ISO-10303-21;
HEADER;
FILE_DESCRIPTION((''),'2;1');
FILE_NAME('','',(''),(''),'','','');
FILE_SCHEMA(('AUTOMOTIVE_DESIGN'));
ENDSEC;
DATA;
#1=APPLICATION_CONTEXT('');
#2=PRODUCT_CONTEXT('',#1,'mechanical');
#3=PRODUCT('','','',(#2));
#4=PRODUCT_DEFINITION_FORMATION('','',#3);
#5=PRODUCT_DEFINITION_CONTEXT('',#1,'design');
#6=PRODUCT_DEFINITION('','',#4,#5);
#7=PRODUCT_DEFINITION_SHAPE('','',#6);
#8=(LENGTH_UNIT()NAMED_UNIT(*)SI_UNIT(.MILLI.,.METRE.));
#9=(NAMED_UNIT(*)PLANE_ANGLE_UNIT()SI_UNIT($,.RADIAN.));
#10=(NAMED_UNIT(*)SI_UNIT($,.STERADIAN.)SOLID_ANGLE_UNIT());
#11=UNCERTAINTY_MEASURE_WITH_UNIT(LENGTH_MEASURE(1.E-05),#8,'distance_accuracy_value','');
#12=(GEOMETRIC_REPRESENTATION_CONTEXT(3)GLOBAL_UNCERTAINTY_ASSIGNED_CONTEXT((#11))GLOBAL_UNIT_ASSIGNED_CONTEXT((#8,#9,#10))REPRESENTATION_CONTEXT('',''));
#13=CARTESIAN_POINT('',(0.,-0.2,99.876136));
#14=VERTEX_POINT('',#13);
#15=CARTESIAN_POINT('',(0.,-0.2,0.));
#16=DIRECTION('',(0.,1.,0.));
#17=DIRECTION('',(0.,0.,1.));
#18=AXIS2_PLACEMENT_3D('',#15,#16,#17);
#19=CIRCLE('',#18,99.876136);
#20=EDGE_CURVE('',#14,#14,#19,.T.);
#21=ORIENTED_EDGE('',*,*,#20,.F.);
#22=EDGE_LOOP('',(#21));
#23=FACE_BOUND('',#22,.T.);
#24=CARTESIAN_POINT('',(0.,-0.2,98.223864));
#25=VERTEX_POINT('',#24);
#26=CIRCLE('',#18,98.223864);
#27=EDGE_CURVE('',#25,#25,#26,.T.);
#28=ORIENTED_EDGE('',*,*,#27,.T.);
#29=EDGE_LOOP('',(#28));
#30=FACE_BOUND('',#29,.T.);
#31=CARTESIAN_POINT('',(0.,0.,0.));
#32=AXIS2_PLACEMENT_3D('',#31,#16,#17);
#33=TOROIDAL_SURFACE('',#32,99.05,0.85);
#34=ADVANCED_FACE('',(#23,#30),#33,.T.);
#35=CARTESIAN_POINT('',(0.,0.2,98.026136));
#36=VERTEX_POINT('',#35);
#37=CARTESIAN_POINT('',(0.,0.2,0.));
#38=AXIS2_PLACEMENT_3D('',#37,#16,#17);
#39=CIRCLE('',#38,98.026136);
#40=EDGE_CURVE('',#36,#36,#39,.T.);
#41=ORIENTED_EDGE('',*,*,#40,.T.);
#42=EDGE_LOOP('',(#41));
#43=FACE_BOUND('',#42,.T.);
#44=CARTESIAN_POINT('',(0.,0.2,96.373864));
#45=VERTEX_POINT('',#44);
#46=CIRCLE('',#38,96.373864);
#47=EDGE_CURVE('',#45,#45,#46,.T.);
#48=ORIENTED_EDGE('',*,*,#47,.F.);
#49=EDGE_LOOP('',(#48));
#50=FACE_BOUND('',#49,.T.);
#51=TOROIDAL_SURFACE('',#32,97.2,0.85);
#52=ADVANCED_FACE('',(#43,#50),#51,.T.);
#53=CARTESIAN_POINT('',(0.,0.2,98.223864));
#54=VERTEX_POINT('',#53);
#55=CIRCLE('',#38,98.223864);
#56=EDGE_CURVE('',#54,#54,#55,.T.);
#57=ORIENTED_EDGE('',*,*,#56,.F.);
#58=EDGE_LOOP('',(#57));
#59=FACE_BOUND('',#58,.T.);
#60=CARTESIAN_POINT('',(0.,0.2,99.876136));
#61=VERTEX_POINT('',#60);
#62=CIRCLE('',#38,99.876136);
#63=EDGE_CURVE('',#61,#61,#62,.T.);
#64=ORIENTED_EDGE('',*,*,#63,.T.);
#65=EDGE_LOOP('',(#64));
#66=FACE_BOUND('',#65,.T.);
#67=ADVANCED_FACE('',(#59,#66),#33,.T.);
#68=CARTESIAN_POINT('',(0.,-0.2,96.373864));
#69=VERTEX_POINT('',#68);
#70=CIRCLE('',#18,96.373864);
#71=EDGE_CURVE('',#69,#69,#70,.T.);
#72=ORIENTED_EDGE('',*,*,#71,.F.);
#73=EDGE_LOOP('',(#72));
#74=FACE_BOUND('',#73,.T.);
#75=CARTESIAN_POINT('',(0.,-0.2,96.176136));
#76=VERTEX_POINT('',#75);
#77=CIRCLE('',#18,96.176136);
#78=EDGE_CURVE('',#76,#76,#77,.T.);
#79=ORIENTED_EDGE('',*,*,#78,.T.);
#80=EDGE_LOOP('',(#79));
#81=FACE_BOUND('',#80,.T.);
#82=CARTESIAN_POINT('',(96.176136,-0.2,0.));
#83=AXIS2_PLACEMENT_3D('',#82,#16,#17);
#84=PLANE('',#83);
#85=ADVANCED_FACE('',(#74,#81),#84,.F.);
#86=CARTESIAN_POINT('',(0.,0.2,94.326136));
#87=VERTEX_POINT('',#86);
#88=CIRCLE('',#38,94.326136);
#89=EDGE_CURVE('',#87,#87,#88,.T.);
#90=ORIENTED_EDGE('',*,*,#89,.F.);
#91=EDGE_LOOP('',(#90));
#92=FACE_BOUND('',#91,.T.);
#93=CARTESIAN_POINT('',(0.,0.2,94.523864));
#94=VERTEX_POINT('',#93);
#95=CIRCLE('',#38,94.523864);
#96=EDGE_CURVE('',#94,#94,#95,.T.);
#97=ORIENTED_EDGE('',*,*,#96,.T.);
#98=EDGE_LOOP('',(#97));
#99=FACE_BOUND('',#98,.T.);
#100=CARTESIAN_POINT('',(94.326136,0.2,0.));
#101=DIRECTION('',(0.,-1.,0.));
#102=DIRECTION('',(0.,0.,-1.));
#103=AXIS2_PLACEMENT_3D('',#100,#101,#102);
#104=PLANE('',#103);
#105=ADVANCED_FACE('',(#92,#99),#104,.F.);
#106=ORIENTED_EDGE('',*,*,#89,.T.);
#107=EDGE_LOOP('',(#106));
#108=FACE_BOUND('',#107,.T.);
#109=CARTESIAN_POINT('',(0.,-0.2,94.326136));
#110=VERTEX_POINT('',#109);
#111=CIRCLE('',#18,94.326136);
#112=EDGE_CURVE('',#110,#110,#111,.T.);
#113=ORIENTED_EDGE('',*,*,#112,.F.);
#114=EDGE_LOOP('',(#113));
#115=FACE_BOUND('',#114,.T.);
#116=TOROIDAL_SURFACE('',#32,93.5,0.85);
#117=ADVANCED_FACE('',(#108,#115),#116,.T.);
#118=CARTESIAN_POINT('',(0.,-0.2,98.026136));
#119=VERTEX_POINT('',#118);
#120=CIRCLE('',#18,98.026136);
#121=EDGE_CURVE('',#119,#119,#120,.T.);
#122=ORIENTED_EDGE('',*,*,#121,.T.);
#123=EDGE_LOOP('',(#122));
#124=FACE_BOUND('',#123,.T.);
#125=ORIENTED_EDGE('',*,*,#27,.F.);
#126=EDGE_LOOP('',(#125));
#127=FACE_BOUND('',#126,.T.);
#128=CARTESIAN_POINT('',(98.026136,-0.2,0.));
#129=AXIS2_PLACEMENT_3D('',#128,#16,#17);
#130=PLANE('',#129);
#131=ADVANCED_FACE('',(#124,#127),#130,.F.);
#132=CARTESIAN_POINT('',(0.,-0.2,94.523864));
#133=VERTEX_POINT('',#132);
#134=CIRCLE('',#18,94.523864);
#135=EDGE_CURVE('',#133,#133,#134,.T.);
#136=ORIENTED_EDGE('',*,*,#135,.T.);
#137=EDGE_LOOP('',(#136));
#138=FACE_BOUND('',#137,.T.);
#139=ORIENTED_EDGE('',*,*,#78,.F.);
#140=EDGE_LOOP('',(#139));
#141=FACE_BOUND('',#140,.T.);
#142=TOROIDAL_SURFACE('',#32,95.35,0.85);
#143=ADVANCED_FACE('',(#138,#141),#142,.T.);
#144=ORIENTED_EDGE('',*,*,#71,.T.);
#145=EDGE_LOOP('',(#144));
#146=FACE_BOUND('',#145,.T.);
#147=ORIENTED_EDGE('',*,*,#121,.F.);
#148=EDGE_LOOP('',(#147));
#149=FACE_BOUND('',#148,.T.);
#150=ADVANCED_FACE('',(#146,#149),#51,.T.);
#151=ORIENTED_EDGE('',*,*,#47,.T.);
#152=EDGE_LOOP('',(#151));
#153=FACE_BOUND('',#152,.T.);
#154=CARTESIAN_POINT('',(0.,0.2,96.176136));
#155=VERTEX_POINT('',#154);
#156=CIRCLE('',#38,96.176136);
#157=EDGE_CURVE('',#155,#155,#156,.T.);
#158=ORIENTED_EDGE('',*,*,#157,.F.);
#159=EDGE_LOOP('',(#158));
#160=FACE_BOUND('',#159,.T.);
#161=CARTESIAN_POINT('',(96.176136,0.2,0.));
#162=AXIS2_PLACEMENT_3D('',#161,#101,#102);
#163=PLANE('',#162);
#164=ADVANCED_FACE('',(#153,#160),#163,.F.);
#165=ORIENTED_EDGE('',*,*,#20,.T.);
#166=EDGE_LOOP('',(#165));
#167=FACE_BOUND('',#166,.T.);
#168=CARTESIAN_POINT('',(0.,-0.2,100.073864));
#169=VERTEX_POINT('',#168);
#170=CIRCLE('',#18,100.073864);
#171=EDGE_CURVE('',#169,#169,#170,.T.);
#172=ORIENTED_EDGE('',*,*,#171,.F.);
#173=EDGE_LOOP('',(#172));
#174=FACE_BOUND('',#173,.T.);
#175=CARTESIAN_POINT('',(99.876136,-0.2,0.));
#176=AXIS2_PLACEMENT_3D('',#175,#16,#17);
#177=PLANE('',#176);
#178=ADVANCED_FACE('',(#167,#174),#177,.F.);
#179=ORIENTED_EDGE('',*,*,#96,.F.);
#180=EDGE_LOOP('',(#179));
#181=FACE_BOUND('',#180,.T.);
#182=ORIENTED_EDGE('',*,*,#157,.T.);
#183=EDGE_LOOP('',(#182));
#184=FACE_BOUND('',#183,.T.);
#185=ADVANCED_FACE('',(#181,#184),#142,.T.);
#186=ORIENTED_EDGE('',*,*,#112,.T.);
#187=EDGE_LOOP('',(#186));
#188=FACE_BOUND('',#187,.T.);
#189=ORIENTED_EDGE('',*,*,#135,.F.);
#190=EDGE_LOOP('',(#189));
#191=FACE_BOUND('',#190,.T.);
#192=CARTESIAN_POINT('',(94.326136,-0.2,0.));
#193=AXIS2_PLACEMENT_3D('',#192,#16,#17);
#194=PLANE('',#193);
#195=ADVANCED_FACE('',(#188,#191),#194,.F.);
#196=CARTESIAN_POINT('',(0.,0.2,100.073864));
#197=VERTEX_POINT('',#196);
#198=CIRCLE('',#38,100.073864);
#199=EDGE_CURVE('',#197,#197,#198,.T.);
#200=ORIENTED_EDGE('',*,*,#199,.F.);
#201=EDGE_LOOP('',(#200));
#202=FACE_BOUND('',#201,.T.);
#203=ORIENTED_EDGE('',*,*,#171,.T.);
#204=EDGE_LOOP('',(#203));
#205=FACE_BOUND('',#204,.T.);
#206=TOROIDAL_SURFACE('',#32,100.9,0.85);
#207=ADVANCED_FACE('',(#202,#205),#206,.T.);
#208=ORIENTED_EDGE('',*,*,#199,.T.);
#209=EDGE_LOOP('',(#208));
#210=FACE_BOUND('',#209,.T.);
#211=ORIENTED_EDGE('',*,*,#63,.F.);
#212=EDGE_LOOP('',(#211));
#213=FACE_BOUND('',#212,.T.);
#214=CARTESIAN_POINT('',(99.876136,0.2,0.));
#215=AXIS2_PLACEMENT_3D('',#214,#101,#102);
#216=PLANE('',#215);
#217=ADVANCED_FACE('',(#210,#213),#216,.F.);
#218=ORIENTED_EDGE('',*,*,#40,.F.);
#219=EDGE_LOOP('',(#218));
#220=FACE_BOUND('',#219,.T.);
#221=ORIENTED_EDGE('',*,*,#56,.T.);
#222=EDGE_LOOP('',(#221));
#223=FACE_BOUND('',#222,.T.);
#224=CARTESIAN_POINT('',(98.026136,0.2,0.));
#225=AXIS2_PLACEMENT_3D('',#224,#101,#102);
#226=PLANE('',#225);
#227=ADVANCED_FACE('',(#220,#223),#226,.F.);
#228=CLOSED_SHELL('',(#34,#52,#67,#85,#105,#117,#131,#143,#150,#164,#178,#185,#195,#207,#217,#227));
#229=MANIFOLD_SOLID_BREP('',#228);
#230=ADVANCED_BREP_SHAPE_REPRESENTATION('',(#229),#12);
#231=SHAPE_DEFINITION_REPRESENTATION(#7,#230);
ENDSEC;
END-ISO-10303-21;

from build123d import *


with BuildPart() as part:
    # Sketch2 → Revolve1 (revolve)
    with BuildSketch(Plane.XY):
        with BuildLine():
            Line((94.326135582, 0.2), (94.523864418, 0.2))
            ThreePointArc((94.523864418, 0.2), (95.35, 0.85), (96.176135582, 0.2))
            Line((96.176135582, 0.2), (96.373864418, 0.2))
            ThreePointArc((96.373864418, 0.2), (97.2, 0.85), (98.026135582, 0.2))
            Line((98.026135582, 0.2), (98.223864418, 0.2))
            ThreePointArc((98.223864418, 0.2), (99.05, 0.85), (99.876135582, 0.2))
            Line((99.876135582, 0.2), (100.073864418, 0.2))
            ThreePointArc((100.073864418, 0.2), (101.75, 0), (100.073864418, -0.2))
            Line((100.073864418, -0.2), (99.876135582, -0.2))
            ThreePointArc((99.876135582, -0.2), (99.05, -0.85), (98.223864418, -0.2))
            Line((98.223864418, -0.2), (98.026135582, -0.2))
            ThreePointArc((98.026135582, -0.2), (97.2, -0.85), (96.373864418, -0.2))
            Line((96.373864418, -0.2), (96.176135582, -0.2))
            ThreePointArc((96.176135582, -0.2), (95.35, -0.85), (94.523864418, -0.2))
            Line((94.523864418, -0.2), (94.326135582, -0.2))
            ThreePointArc((94.326135582, -0.2), (92.65, 0), (94.326135582, 0.2))
        make_face()
    revolve(axis=Axis((0, 6.450627053, 0), (0, -1, 0)))


solid = part.part
